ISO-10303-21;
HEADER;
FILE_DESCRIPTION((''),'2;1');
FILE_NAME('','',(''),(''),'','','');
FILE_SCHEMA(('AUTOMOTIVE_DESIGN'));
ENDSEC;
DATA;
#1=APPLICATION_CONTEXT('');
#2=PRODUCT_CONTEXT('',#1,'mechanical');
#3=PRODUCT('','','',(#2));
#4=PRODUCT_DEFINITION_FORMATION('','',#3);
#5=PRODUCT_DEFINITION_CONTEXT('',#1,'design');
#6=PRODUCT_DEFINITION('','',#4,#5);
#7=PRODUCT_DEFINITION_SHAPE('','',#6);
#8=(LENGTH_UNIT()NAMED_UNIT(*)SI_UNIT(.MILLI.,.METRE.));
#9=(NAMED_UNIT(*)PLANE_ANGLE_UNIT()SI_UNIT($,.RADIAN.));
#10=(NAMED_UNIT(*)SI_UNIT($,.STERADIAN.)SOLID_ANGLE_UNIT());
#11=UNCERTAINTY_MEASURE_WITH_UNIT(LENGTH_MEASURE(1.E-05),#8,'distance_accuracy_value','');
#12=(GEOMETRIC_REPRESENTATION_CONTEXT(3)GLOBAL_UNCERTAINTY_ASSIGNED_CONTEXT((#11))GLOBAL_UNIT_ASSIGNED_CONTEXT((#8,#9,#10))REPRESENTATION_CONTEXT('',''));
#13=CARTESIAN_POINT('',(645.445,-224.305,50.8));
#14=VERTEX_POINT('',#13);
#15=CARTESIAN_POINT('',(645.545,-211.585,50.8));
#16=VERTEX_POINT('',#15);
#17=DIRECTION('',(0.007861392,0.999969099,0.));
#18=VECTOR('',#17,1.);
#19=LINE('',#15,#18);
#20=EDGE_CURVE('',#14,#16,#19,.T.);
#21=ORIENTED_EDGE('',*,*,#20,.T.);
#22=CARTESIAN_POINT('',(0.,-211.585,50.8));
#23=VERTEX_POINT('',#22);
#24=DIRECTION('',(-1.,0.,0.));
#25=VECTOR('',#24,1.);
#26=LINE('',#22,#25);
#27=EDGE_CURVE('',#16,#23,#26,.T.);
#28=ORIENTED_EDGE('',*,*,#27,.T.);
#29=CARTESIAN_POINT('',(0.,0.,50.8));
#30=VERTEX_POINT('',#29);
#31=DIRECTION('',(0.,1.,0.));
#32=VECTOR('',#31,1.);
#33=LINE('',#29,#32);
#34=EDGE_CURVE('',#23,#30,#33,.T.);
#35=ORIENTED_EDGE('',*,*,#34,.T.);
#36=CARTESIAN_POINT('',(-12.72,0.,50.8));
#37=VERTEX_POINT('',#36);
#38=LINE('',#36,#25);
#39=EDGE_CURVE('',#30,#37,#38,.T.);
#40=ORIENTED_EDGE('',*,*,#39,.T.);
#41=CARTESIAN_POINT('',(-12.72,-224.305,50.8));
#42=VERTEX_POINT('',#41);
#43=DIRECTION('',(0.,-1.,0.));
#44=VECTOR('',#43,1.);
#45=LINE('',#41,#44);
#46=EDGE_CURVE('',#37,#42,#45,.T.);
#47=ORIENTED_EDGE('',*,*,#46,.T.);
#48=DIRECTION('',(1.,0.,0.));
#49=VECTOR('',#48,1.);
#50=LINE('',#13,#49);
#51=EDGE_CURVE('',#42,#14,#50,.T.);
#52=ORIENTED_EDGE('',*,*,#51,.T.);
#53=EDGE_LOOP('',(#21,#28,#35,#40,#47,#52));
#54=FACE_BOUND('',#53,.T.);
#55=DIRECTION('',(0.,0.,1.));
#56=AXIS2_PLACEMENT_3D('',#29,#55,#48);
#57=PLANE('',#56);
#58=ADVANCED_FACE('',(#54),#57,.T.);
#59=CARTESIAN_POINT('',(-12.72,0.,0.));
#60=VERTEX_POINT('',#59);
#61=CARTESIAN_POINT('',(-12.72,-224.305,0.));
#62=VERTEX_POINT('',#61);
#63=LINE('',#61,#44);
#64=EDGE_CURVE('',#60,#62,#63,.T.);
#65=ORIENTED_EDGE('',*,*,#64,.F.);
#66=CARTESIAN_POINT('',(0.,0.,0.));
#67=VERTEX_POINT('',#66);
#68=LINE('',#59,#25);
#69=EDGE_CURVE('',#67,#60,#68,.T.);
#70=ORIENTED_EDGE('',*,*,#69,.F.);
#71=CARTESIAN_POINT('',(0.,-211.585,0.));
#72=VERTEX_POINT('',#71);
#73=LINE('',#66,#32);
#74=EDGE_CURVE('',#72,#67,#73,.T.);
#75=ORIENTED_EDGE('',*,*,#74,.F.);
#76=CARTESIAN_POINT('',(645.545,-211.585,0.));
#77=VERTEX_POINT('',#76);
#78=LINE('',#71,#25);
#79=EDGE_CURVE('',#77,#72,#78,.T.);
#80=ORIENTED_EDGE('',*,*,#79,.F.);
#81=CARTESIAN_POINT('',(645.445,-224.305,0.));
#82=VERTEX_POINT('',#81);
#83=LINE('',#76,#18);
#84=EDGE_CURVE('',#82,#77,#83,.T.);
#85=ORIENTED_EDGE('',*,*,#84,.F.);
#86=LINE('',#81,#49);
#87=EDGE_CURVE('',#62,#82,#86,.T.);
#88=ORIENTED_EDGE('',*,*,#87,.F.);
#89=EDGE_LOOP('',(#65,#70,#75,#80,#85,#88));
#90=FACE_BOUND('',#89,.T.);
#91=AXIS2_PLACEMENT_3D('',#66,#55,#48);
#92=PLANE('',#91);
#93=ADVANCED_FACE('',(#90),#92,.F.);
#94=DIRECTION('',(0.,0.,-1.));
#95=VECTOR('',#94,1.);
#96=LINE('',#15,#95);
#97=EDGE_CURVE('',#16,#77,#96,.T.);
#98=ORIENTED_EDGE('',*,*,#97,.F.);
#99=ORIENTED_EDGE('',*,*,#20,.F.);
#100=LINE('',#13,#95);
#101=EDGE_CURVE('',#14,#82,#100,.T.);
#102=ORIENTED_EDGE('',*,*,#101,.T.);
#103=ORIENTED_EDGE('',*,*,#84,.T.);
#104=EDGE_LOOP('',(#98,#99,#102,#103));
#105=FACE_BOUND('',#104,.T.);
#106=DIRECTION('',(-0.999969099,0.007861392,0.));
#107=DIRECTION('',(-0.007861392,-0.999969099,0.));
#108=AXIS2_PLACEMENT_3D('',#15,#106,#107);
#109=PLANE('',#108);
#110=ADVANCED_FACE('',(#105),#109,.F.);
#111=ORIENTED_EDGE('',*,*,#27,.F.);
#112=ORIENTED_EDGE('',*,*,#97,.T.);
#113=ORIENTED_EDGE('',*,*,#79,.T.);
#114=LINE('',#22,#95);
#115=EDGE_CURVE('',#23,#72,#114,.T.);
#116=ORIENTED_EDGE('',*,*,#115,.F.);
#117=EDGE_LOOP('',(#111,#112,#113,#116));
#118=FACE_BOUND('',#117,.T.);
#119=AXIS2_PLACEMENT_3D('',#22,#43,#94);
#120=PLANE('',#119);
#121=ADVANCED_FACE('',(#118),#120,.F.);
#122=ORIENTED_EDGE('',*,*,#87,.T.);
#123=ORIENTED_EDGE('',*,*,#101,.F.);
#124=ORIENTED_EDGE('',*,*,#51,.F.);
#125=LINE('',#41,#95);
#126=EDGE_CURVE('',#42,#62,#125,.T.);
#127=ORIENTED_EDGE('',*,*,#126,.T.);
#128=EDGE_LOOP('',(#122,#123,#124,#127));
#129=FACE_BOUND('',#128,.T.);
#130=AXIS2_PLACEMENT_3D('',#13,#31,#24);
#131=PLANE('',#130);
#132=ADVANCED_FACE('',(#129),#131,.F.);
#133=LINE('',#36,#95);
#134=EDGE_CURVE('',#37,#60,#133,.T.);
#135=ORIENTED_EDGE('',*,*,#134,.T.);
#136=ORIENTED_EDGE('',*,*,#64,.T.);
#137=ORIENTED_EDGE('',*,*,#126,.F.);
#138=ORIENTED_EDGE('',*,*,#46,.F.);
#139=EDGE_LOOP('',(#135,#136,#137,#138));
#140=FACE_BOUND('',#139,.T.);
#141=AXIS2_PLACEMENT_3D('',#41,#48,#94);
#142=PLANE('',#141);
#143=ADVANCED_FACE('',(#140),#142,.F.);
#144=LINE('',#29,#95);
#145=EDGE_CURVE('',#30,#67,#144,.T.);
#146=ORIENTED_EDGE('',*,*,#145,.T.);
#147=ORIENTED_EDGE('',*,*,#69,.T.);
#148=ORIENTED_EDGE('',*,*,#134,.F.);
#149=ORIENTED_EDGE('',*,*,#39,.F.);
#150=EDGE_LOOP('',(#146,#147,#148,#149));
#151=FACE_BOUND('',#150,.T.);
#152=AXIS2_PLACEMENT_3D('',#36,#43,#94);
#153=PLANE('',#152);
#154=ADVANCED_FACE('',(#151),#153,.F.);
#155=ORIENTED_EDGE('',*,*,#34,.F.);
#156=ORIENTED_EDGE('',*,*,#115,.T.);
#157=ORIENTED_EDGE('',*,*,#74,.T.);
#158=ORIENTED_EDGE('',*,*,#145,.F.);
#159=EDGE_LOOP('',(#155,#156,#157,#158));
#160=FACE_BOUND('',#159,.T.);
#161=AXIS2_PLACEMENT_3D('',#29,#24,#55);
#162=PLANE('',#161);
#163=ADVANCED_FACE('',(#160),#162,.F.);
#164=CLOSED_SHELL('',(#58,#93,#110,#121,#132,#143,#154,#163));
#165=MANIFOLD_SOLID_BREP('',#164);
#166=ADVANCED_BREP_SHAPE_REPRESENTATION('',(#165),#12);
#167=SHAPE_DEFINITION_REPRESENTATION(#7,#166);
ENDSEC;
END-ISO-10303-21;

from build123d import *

# Parameters (mm, degrees)
SALIENTE_EXTRUIR1_DEPTH = 50.8


with BuildPart() as part:
    # Croquis1 → Saliente-Extruir1 (new body)
    with BuildSketch(Plane.XY):
        Polygon((645.545, -211.585), (645.445, -224.305), (-12.72, -224.305), (-12.72, 0), (0, 0), (0, -211.585), align=None)
    extrude(amount=SALIENTE_EXTRUIR1_DEPTH)


solid = part.part
